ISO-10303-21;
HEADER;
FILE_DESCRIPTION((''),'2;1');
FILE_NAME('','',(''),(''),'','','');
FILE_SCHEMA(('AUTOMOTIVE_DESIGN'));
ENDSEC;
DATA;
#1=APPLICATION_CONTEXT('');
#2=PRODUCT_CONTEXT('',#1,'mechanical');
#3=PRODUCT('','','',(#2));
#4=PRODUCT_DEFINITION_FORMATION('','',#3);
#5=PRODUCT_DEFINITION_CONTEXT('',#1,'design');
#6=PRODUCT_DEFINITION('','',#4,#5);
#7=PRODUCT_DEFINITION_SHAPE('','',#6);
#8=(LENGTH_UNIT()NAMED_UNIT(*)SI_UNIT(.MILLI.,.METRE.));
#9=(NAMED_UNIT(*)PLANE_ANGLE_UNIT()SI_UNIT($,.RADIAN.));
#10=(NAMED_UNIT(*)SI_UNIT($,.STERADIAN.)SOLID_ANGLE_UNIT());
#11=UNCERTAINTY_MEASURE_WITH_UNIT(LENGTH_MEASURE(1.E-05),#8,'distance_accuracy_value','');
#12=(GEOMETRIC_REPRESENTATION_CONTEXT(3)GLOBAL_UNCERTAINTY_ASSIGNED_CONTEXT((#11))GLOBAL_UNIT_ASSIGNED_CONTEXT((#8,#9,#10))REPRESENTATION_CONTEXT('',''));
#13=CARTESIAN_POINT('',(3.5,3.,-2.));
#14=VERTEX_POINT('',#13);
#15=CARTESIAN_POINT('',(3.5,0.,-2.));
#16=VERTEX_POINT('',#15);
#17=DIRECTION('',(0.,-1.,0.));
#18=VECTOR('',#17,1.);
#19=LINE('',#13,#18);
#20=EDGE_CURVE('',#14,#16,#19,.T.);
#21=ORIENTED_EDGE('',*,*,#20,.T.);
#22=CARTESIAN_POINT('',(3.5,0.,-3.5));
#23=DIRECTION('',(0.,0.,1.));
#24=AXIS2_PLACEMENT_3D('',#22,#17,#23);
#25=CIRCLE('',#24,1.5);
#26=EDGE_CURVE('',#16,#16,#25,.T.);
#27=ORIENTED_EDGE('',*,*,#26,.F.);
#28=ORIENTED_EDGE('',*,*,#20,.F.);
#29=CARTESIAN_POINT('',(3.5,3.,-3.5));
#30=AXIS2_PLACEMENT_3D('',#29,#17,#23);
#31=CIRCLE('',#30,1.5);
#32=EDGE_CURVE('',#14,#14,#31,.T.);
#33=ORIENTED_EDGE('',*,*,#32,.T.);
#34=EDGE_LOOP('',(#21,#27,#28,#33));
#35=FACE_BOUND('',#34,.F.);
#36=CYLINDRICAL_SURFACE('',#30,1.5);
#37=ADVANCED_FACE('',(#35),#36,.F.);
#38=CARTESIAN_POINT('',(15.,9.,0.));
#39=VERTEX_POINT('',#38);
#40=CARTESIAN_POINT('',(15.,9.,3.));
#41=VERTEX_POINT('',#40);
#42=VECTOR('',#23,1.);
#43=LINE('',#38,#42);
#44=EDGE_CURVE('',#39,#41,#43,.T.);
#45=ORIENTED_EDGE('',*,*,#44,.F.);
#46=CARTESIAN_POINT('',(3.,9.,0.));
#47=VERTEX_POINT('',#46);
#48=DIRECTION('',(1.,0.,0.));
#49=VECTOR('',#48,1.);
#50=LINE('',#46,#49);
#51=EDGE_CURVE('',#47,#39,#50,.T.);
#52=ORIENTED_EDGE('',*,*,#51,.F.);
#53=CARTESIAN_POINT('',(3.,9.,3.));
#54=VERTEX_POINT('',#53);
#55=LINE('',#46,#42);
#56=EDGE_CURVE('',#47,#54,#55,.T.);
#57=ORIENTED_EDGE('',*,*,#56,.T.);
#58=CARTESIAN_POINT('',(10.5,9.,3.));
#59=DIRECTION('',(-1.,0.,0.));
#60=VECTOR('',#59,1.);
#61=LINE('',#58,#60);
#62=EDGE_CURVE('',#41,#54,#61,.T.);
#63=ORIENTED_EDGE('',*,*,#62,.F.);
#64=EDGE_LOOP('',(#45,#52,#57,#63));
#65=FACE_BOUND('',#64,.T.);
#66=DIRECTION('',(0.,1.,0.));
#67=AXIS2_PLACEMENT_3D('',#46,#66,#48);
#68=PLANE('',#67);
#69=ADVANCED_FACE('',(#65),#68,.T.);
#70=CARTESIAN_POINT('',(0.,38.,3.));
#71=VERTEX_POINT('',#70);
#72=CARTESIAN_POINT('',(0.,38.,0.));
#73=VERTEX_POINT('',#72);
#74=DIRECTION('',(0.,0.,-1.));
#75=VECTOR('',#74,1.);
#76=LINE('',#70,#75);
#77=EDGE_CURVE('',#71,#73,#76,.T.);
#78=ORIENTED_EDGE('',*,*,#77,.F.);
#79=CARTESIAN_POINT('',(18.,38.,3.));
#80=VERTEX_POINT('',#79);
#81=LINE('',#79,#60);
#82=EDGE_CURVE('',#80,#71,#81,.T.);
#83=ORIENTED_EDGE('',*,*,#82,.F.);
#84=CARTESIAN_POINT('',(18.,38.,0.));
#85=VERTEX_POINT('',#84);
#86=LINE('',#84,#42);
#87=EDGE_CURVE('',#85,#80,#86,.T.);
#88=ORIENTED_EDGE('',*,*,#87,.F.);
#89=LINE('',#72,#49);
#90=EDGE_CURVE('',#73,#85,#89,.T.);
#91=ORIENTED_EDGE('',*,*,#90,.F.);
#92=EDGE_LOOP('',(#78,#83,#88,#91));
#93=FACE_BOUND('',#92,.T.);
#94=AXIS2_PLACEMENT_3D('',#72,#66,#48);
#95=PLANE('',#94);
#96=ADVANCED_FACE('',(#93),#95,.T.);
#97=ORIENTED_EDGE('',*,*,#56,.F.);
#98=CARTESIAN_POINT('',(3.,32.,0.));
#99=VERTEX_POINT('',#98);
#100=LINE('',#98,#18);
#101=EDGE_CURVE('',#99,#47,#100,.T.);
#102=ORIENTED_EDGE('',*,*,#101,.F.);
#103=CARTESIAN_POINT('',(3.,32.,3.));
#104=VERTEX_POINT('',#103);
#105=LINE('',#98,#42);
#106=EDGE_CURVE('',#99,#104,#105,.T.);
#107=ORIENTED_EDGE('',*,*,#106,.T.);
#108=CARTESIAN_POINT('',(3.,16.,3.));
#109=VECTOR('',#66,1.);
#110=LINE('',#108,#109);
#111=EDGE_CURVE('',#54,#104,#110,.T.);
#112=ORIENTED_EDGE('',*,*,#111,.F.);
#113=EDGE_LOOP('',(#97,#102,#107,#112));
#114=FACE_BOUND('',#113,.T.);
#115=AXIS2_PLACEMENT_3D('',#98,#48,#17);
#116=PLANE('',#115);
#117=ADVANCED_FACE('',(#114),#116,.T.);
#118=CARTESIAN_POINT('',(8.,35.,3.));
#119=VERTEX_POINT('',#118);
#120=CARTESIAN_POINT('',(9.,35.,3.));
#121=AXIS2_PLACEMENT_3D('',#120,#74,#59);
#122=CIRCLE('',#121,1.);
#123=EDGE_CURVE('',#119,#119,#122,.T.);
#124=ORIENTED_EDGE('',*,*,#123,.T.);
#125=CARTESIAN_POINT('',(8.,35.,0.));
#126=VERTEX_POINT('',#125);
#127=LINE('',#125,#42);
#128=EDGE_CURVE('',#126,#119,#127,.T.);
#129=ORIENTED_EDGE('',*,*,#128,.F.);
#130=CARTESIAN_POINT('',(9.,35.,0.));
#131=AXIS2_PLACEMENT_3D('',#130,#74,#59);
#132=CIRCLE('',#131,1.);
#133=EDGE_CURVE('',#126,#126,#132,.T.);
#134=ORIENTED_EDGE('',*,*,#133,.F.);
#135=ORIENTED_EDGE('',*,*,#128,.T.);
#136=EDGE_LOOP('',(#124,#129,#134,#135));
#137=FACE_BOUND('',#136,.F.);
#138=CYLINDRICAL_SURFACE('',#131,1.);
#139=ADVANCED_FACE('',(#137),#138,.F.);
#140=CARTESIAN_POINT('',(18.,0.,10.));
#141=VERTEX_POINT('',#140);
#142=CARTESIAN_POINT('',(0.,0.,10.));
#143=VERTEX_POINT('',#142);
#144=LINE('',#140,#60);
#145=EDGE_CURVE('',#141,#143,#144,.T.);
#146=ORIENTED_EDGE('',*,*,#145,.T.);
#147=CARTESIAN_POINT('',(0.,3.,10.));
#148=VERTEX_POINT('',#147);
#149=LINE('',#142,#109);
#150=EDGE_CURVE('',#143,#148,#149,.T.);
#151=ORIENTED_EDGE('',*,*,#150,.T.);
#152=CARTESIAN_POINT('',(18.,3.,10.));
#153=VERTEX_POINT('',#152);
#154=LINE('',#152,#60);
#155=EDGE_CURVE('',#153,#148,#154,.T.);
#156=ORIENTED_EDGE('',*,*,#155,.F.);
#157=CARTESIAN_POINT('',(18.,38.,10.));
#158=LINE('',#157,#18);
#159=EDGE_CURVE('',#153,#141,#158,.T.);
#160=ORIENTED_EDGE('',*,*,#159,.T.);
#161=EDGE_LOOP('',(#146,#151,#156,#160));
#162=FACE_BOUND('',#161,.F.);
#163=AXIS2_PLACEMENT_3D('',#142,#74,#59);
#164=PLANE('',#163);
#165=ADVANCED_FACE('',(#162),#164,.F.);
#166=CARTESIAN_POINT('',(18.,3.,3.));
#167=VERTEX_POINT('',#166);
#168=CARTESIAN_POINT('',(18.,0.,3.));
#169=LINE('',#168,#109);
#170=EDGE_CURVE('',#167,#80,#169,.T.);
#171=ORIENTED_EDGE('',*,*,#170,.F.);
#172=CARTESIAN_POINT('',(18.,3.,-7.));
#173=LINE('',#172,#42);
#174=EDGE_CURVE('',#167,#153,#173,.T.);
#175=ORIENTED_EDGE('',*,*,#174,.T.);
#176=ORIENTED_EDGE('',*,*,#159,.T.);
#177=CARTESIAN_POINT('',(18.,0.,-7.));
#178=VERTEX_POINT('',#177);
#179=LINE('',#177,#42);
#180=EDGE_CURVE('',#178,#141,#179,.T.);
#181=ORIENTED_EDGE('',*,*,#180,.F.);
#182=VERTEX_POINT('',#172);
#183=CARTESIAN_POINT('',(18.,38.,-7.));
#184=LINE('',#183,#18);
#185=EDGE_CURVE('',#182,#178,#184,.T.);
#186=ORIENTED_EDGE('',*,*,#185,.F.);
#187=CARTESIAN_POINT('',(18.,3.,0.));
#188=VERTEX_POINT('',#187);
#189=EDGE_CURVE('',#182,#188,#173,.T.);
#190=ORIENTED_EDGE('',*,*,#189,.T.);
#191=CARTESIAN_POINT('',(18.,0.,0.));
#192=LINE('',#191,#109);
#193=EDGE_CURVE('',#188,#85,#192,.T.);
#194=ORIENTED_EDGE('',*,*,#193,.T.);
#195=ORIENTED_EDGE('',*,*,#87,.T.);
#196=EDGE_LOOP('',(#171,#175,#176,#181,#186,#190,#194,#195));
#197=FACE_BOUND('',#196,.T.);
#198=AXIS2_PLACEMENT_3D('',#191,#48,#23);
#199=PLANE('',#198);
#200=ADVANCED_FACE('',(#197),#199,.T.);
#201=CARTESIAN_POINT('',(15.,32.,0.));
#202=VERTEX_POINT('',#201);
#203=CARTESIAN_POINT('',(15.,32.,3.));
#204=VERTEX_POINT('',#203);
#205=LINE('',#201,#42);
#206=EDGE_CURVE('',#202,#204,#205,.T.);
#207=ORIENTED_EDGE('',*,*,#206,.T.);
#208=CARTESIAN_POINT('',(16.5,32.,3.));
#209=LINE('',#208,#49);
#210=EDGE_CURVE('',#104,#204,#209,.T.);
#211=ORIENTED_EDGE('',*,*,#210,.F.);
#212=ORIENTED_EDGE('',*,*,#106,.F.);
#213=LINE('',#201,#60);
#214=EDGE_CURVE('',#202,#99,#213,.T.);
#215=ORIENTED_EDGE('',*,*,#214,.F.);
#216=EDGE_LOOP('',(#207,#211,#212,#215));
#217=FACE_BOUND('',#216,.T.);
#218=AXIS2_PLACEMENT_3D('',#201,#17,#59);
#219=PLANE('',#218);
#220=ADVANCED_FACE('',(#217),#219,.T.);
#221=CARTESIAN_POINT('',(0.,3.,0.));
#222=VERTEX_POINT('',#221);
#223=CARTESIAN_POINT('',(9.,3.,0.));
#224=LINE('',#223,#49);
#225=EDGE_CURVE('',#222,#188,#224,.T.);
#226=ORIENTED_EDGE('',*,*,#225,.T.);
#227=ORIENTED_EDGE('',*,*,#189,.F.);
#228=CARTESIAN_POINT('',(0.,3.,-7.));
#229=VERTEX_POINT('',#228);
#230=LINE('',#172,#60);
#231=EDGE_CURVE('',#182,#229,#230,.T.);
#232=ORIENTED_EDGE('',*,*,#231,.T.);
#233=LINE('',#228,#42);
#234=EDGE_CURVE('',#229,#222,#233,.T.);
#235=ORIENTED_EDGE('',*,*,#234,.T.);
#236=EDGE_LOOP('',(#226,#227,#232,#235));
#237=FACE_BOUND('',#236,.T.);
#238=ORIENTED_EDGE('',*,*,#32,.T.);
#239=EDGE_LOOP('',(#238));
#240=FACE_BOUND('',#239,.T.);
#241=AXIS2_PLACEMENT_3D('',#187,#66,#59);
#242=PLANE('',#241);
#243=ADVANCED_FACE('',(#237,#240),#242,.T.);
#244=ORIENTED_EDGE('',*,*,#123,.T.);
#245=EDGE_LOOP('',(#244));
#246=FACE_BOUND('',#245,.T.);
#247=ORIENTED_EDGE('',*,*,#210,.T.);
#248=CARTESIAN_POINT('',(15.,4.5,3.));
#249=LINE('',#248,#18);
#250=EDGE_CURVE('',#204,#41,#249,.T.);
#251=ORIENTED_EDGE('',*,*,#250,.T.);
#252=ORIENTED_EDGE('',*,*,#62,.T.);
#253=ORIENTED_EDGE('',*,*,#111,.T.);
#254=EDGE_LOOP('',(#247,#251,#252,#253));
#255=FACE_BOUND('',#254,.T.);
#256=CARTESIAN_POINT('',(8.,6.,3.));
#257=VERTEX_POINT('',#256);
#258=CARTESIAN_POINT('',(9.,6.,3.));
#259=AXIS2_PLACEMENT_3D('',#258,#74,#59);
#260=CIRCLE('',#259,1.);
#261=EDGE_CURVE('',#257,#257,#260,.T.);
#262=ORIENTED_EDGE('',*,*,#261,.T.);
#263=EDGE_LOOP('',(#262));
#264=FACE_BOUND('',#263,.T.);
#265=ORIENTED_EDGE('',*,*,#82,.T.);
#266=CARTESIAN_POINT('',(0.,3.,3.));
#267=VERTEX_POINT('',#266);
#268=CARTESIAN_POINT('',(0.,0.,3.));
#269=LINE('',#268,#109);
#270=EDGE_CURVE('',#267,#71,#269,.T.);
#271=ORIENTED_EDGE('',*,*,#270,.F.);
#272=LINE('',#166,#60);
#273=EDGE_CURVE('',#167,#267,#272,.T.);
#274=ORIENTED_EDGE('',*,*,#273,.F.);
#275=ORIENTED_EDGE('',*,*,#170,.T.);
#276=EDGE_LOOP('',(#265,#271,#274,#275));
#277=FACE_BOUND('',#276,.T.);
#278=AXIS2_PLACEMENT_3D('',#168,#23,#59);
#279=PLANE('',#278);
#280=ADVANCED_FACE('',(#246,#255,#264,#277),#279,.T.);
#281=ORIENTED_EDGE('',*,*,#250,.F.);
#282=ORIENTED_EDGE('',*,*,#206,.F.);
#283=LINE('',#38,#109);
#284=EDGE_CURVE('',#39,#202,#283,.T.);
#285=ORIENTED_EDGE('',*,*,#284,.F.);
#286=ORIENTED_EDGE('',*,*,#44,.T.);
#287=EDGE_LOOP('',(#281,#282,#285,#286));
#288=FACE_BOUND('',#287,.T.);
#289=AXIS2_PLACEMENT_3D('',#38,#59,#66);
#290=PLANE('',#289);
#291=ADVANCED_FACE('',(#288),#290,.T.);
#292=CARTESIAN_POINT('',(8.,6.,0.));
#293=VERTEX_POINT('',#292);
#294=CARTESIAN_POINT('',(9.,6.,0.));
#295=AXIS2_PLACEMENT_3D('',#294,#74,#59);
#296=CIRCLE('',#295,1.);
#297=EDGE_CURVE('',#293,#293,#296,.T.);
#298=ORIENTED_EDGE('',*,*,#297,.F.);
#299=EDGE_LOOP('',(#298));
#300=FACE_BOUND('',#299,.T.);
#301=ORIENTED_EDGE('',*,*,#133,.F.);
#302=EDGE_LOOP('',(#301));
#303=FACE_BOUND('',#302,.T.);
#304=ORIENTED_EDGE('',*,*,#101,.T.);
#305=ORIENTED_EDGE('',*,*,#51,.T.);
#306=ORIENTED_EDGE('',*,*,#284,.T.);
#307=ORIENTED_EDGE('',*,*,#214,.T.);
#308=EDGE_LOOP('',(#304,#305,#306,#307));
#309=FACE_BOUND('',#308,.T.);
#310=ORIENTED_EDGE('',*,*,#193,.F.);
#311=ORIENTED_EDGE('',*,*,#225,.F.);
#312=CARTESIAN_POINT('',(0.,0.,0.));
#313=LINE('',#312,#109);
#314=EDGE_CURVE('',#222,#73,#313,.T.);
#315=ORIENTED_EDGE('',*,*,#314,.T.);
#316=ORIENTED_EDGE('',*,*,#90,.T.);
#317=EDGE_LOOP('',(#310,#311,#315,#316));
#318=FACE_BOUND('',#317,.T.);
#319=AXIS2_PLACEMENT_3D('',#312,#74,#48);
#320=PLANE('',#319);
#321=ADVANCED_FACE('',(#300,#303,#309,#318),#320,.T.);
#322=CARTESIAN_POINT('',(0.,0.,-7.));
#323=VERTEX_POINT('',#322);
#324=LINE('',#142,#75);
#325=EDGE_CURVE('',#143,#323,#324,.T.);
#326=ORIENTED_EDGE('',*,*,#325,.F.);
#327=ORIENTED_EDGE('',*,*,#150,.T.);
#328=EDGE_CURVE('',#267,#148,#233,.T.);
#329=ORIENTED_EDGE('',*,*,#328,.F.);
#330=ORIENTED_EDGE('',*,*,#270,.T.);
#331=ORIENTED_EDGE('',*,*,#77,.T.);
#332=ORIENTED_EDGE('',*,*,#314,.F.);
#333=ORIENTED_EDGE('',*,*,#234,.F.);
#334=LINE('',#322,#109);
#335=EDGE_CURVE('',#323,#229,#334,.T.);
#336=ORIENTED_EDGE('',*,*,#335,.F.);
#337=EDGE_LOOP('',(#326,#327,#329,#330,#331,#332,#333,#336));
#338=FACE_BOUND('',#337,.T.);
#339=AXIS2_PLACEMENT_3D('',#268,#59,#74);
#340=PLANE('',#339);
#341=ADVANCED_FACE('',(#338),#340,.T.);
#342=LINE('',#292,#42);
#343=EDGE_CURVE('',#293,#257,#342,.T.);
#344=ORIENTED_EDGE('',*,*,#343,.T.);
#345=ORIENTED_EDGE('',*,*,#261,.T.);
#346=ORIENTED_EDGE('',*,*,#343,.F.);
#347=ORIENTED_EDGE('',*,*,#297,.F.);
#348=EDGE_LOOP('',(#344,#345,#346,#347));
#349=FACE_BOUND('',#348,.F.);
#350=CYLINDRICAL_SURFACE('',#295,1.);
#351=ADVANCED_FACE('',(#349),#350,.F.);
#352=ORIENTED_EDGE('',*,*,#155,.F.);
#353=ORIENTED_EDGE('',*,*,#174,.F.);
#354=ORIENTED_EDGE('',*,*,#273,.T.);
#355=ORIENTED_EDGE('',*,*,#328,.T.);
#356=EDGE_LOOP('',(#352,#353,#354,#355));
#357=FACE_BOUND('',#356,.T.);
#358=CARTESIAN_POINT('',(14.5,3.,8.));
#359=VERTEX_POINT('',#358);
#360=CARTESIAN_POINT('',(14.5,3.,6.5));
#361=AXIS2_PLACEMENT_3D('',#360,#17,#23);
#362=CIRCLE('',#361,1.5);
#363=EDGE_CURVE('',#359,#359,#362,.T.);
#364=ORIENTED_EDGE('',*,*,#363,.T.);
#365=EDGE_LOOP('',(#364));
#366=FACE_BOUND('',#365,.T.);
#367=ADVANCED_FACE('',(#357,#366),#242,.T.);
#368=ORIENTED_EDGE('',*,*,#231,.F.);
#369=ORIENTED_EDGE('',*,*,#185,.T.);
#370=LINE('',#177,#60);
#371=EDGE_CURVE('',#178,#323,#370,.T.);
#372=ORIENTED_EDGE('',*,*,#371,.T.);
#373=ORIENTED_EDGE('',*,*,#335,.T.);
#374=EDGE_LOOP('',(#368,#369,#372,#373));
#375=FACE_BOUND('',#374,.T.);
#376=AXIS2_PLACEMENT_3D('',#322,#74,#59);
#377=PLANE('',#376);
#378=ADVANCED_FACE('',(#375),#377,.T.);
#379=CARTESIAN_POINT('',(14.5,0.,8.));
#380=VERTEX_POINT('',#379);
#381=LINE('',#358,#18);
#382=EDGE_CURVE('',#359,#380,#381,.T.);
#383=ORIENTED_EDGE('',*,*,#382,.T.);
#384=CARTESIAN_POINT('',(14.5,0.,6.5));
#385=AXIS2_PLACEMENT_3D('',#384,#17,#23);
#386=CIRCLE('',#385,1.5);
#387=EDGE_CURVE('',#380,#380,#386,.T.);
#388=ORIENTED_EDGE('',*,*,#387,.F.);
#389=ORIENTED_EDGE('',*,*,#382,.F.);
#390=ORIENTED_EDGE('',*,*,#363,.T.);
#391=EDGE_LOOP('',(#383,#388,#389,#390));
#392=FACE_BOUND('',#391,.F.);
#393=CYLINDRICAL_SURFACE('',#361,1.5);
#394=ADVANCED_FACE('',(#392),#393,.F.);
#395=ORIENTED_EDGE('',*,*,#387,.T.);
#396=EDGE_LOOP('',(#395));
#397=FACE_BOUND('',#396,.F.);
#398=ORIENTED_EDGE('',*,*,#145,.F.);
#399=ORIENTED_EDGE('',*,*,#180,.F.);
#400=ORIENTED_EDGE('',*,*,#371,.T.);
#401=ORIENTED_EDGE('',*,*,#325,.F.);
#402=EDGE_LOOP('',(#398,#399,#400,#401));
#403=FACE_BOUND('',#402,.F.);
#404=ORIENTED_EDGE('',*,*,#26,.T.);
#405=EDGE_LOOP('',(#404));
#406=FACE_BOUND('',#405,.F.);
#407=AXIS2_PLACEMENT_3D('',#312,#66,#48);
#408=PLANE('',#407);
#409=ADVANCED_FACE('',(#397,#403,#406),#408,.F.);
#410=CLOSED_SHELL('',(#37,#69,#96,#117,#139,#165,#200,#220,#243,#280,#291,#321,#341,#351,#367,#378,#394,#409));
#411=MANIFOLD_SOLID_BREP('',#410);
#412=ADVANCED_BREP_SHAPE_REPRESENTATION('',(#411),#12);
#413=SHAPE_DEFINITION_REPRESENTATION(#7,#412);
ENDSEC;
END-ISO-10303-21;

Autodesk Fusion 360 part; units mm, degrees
sketch "Sketch base" plane through (0, 0, 0) normal (0, 1, 0) x (1, 0, 0)
  line L0 (0, 0) -> (18, 0)
  line L1 (18, 0) -> (18, -3)
  line L2 (18, -3) -> (0, -3)
  line L3 (0, -3) -> (0, 0)
  dimension "d1" = 18
  dimension "d2" = 3
extrude "Extrude1" add sketch "Sketch base" along normal blind 38
sketch "Sketch face" plane through (0, 0, 0) normal (0, 0, -1) x (-1, 0, 0)
  line L0 (-18, 0) -> (0, 0)
  line L1 (0, 0) -> (0, 38)
  line L2 (0, 38) -> (-18, 38)
  line L3 (-18, 38) -> (-18, 0)
  circle A0 centre (-9, 35) radius 1
  circle A1 centre (-9, 6) radius 1
  line L4 (-15, 32) -> (-3, 32)
  line L5 (-3, 32) -> (-3, 9)
  line L6 (-3, 9) -> (-15, 9)
  line L7 (-15, 9) -> (-15, 32)
  line L8 (0, 0) -> (-18, 0)
  line L9 (-18, 0) -> (-18, 3)
  line L10 (-18, 3) -> (0, 3)
  line L11 (0, 3) -> (0, 0)
  dimension "d5" = 2
  dimension "d6" = 2
  dimension "d7" = 12
  dimension "d8" = 3
  dimension "d9" = 3
  dimension "d10" = 3
  dimension "d13" = 3
  dimension "d14" = 9
  dimension "d15" = 9
  dimension "d19" = 3
  dimension "d34" = 23
extrude "Extrude2" cut sketch "Sketch face" against normal blind 4 contours A0 | A1 | L4 L5 L6 L7
extrude "Extrude3" add sketch "Sketch face" along normal blind 7 and the other way blind 10 contours L0 L1 L3 L8 L9 L10 L11
hole "Hole1" at (3.5, 3, -3.5) direction (0, -1, 0) diameter 3 depth 5 tip angle 180
hole "Hole2" at (14.5, 3, 6.5) direction (0, -1, 0) diameter 3 depth 5 tip angle 180
